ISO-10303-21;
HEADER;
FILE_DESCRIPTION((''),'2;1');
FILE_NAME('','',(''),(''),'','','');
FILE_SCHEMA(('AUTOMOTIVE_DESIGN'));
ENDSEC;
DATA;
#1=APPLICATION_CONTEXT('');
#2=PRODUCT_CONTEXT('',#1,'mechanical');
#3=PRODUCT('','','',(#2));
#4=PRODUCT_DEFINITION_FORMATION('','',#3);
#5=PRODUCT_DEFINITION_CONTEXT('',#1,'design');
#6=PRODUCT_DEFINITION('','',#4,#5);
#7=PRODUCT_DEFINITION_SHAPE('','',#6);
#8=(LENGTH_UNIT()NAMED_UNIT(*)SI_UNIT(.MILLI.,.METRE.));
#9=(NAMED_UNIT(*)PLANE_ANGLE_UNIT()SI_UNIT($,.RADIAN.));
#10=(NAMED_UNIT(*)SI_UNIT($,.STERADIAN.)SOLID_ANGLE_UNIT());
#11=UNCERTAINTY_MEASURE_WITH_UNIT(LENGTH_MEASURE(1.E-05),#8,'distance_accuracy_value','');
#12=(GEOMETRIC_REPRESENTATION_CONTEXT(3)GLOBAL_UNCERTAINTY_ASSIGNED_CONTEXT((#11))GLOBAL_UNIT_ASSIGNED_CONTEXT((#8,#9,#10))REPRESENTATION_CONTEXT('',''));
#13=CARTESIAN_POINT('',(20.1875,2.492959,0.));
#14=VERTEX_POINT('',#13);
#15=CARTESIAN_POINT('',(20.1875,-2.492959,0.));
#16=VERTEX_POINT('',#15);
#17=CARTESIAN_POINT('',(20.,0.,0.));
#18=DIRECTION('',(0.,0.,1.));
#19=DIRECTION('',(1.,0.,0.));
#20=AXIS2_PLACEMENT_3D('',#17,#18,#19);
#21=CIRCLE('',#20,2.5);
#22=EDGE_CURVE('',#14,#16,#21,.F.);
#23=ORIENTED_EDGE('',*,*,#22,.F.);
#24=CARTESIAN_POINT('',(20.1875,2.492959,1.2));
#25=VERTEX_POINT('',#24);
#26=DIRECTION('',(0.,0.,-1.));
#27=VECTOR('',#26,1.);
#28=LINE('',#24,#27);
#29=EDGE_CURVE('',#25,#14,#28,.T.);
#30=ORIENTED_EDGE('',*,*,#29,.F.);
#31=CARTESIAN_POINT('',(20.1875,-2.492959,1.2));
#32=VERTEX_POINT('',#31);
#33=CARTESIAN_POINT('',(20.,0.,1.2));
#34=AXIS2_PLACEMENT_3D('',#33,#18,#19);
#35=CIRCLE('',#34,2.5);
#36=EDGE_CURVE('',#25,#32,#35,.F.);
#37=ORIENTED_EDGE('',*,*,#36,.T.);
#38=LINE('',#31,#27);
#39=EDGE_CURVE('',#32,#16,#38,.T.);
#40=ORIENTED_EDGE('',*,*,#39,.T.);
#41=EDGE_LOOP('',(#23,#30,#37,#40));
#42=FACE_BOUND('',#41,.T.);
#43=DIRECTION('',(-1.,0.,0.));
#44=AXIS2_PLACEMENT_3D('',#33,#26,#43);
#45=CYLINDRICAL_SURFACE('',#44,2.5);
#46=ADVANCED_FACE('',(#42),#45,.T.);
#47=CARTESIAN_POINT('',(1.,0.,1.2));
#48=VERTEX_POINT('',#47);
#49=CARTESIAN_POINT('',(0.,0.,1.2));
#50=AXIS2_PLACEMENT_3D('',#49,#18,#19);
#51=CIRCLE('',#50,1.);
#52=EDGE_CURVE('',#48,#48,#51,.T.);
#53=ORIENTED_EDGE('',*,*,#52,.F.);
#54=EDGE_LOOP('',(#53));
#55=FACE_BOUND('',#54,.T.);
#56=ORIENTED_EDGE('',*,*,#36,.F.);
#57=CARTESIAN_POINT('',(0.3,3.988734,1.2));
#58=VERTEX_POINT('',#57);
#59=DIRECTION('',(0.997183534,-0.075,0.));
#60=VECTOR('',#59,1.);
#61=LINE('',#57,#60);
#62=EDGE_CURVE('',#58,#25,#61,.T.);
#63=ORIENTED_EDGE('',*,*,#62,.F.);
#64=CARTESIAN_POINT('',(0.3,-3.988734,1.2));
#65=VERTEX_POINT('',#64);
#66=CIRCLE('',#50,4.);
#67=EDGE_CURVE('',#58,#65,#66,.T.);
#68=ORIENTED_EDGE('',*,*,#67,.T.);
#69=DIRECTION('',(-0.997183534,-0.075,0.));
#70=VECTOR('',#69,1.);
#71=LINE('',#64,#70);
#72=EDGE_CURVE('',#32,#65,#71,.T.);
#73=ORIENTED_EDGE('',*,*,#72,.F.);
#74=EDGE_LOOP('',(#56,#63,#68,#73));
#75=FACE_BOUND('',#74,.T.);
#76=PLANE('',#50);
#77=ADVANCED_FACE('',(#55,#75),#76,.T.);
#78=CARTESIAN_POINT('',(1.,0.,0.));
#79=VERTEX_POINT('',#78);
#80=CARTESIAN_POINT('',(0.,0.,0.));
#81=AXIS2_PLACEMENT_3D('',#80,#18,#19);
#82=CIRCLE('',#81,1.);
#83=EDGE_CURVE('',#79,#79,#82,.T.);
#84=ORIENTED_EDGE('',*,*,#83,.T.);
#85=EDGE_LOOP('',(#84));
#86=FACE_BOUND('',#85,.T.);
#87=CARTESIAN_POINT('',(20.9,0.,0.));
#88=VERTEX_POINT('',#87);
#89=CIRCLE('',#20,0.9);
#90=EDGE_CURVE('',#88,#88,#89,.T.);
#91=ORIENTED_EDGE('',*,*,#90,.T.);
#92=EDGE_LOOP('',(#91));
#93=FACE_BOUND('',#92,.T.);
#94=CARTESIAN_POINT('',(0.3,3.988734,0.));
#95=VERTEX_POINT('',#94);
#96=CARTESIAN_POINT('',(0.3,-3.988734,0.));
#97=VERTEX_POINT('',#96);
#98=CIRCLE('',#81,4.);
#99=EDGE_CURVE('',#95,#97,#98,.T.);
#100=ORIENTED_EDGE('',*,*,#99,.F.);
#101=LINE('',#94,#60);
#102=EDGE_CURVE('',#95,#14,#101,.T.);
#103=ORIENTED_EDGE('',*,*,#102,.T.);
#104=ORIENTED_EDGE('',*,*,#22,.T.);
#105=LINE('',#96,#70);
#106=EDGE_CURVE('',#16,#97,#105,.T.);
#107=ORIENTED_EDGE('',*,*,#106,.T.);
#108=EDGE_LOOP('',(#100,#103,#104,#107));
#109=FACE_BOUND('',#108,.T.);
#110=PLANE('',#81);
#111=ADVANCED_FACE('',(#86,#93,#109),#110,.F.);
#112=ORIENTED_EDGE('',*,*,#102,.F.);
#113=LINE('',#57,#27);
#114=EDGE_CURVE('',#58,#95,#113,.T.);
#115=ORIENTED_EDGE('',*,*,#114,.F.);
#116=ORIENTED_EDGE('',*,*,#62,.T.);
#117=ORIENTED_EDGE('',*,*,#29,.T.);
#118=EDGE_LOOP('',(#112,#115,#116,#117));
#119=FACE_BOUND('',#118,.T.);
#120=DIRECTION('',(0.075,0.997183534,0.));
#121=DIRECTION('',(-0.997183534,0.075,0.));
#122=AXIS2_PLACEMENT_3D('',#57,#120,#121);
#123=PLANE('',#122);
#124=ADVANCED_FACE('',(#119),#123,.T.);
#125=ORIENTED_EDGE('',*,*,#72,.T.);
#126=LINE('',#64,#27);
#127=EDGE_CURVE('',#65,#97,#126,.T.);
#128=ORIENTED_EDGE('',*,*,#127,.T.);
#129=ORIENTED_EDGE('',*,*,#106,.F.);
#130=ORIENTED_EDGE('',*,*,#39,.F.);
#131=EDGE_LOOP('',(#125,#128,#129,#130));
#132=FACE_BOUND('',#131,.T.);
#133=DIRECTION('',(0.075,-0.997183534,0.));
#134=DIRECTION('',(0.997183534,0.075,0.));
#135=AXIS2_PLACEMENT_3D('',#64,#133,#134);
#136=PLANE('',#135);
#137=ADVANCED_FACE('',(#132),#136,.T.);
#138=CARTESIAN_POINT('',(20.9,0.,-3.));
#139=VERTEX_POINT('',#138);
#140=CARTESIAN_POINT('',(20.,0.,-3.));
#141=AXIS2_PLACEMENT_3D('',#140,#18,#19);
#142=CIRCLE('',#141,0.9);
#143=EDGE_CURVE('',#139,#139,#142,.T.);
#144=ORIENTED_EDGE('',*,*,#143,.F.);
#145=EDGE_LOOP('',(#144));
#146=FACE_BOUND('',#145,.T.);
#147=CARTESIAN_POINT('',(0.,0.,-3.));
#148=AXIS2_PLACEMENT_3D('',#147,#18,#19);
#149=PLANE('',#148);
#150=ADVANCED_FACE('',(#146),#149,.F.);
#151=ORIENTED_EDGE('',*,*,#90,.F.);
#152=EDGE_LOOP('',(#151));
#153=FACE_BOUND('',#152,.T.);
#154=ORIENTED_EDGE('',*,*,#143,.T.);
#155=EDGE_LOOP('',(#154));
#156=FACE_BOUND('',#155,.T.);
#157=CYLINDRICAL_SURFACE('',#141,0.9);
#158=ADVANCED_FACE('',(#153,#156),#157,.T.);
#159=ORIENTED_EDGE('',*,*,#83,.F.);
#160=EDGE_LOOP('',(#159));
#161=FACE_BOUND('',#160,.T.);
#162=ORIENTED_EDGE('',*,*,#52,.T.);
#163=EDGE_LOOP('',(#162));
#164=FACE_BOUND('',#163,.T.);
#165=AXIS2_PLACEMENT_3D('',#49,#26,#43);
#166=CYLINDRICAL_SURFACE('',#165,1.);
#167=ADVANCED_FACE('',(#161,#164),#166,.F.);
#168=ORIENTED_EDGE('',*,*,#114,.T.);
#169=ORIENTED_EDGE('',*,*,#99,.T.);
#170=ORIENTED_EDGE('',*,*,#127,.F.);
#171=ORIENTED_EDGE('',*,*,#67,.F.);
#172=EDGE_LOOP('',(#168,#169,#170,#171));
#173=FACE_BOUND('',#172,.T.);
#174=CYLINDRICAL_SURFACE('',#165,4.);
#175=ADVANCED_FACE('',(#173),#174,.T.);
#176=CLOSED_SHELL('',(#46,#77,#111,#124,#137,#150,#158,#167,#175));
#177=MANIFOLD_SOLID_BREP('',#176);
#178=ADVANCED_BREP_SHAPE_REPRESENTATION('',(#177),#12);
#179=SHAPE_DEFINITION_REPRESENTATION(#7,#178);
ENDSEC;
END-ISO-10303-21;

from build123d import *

# Parameters (mm, degrees)
SKETCH_1_R      = 1
EXTRUDE_1_DEPTH = 1.2
EXTRUDE_START   = -3
SKETCH_1_3_R    = 0.9
EXTRUDE_2_DEPTH = 3


with BuildPart() as part:
    # Эскиз1 → Бобышка-Вытянуть1 (new body)
    with BuildSketch(Plane.XY):
        with BuildLine():
            Line((0.3, 3.988734135), (20.1875, 2.492958834))
            ThreePointArc((20.1875, 2.492958834), (22.5, 0), (20.1875, -2.492958834))
            Line((20.1875, -2.492958834), (0.3, -3.988734135))
            ThreePointArc((0.3, -3.988734135), (-4, 0), (0.3, 3.988734135))
        make_face()
        Circle(SKETCH_1_R, mode=Mode.SUBTRACT)
    extrude(amount=EXTRUDE_1_DEPTH)

    # Эскиз1<3> → Бобышка-Вытянуть2 (add)
    with BuildSketch(Plane.XY.offset(EXTRUDE_START)):
        with Locations((20, 0)):
            Circle(SKETCH_1_3_R)
    extrude(amount=EXTRUDE_2_DEPTH)


solid = part.part
